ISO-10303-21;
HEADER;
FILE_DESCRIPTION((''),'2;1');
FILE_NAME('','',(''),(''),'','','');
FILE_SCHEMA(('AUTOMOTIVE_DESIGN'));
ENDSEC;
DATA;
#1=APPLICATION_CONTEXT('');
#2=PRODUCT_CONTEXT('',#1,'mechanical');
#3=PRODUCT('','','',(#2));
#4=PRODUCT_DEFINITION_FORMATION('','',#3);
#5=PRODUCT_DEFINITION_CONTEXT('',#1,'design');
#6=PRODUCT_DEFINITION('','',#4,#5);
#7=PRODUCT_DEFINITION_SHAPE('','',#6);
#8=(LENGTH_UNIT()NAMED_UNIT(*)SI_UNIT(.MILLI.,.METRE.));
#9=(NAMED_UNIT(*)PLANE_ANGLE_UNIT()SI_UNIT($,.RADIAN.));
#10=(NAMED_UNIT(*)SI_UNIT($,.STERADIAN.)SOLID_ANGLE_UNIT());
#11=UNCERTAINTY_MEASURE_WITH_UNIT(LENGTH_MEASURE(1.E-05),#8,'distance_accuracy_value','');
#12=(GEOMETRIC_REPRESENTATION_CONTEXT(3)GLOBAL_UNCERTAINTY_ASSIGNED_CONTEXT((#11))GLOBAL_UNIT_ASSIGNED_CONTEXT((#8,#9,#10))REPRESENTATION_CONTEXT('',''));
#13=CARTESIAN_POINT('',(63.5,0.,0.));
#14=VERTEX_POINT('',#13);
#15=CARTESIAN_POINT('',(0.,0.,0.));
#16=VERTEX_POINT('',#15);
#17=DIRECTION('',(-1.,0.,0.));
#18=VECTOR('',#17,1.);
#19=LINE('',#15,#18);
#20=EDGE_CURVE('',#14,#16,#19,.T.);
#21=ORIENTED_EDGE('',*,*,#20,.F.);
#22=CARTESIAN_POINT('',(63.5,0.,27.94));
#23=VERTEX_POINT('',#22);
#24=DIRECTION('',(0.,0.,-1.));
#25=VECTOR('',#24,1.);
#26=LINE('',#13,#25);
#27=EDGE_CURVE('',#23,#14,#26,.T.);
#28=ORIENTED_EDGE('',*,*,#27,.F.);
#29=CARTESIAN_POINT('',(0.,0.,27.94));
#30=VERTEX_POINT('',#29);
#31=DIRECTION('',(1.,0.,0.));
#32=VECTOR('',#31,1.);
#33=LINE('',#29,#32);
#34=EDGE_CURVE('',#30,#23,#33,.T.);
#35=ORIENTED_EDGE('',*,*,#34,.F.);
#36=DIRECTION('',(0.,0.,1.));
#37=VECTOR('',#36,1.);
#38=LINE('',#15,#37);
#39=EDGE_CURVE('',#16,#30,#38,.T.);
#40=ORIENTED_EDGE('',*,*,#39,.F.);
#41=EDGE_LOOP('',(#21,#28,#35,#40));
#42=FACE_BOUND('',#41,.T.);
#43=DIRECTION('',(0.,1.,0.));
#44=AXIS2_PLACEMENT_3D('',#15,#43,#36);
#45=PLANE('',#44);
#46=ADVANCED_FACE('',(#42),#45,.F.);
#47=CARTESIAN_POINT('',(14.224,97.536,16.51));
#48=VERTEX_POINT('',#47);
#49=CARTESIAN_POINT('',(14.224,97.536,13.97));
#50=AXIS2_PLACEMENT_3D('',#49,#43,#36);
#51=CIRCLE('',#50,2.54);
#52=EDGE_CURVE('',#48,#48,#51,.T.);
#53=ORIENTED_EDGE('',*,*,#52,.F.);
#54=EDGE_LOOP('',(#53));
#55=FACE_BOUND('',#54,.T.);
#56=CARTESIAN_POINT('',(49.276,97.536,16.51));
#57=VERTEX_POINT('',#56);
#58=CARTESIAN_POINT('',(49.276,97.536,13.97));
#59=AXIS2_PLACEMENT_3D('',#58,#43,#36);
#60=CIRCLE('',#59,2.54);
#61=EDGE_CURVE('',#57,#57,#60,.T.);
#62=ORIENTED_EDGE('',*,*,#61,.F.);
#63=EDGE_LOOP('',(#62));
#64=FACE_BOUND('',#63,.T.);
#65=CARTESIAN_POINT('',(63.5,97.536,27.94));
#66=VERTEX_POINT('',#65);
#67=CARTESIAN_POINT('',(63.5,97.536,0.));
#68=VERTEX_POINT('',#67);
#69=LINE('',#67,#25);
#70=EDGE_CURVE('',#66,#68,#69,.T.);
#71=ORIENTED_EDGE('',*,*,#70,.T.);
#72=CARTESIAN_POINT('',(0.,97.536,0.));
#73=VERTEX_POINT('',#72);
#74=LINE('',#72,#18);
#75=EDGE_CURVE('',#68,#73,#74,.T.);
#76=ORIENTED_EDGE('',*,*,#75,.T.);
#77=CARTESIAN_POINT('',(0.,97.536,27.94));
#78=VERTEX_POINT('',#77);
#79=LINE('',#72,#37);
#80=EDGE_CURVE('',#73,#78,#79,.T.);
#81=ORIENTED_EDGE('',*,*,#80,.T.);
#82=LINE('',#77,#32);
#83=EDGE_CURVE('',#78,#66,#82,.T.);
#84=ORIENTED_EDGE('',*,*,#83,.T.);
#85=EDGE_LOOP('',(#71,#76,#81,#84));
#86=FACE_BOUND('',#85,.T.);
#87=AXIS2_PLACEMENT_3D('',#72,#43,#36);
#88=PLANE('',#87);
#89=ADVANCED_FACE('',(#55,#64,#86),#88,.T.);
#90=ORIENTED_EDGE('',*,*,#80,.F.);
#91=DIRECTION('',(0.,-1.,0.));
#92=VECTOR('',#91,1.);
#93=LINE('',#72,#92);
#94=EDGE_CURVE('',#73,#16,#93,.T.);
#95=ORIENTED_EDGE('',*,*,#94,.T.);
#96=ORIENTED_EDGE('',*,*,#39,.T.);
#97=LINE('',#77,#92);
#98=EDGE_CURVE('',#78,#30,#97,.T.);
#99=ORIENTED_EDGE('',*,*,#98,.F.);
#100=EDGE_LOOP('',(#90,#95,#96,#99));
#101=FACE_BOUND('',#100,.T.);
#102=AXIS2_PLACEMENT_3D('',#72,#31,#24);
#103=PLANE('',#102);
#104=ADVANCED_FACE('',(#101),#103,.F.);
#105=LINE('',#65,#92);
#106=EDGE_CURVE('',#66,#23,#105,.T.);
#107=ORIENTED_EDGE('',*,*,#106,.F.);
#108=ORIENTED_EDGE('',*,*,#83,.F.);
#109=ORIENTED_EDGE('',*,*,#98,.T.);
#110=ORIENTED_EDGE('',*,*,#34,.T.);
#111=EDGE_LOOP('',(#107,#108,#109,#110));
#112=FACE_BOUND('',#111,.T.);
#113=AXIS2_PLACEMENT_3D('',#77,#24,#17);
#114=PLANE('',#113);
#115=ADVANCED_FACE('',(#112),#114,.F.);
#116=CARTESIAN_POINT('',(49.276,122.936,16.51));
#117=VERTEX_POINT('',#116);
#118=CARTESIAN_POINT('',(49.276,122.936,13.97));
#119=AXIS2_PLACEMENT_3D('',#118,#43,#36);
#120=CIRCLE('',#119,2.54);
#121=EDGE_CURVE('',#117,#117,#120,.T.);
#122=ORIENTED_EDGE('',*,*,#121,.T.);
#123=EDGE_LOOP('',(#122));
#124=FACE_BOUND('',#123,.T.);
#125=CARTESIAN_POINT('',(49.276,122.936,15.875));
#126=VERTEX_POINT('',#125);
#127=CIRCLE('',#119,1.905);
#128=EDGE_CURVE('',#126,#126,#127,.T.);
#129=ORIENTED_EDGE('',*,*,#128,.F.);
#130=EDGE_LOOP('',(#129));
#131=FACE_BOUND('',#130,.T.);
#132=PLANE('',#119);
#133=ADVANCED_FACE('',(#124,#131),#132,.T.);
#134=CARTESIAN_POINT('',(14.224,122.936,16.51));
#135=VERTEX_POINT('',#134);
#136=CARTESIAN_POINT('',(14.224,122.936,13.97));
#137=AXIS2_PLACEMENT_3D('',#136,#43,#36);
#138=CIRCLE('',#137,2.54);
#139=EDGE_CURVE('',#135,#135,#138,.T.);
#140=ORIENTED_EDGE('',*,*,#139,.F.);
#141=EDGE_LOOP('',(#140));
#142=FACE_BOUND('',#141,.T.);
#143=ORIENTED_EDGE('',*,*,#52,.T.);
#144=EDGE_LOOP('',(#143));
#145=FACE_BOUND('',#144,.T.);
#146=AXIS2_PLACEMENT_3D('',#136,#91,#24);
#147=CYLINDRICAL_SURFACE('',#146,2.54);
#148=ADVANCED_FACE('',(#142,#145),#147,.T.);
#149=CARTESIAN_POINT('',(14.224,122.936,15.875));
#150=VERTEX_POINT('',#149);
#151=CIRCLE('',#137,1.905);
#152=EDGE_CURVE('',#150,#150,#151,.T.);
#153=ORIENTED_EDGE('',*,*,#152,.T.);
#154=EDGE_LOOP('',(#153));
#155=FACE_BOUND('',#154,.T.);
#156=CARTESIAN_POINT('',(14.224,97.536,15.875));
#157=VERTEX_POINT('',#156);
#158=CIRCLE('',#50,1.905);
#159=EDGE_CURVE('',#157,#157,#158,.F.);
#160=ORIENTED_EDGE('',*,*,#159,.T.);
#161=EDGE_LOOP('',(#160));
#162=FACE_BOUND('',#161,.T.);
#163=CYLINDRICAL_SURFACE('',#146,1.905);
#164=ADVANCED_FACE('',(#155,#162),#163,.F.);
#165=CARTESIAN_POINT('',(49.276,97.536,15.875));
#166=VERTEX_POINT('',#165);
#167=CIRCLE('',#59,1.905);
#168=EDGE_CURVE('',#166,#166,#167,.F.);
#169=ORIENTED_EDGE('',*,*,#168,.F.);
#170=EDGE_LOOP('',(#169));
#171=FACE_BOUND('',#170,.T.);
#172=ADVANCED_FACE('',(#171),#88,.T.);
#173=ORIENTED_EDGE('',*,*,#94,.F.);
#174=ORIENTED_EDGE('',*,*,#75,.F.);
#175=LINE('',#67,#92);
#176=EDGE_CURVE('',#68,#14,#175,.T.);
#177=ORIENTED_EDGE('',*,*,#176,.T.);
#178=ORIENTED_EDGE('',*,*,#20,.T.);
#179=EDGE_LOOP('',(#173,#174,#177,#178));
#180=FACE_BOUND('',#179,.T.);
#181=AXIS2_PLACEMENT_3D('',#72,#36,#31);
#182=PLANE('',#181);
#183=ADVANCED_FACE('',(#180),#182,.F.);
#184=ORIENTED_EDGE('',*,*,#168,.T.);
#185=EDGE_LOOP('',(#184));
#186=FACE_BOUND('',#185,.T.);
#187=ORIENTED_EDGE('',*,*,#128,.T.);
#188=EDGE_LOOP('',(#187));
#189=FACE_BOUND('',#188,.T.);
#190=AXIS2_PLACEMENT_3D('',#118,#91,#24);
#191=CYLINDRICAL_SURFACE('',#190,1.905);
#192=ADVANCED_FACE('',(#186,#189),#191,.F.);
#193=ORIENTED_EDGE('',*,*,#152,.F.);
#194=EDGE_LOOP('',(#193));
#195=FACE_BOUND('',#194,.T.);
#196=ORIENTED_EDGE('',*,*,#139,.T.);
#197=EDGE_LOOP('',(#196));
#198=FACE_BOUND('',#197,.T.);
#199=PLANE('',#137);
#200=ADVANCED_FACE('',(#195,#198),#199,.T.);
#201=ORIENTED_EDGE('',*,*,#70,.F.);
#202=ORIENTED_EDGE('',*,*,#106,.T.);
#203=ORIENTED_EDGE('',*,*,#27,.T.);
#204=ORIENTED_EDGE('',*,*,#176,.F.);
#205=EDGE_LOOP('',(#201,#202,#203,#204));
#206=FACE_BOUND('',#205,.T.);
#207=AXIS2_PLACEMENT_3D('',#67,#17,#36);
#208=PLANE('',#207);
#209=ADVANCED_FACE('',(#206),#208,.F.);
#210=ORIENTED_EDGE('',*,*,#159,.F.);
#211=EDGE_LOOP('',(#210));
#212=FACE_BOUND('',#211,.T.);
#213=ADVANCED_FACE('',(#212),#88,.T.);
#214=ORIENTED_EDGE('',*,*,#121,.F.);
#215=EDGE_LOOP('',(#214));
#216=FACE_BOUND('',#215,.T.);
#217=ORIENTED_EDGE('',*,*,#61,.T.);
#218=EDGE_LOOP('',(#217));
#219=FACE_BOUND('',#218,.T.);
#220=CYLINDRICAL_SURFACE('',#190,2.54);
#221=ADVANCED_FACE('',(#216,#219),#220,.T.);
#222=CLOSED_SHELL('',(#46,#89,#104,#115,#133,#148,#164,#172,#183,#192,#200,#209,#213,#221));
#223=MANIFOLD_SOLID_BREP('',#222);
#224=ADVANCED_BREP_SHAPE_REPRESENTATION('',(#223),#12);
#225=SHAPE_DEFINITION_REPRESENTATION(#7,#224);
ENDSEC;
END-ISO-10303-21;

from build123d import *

# Parameters (mm, degrees)
SKETCH1_W           = 63.5
SKETCH1_H           = 27.94
BOSS_EXTRUDE1_DEPTH = 97.536
SKETCH2_R           = 2.54
SKETCH2_R_2         = 1.905
BOSS_EXTRUDE2_DEPTH = 25.4


with BuildPart() as part:
    # Sketch1 → Boss-Extrude1 (new body)
    with BuildSketch(Plane(origin=(0, 0, 0), x_dir=(1, 0, 0), z_dir=(0, 1, 0))):
        with Locations((31.75, -13.97)):
            Rectangle(SKETCH1_W, SKETCH1_H)
    extrude(amount=BOSS_EXTRUDE1_DEPTH)

    # Sketch2 → Boss-Extrude2 (add)
    # profile 1 of 2: a face of its own
    with BuildSketch(Plane(origin=(0, 97.536, 0), x_dir=(1, 0, 0), z_dir=(0, 1, 0))):
        with Locations(Location((14.224, -13.97, 0), (0, 0, 270))):
            Circle(SKETCH2_R)
        with Locations(Location((14.224, -13.97, 0), (0, 0, 270))):
            Circle(SKETCH2_R_2, mode=Mode.SUBTRACT)
    # profile 2 of 2: a face of its own
    with BuildSketch(Plane(origin=(0, 97.536, 0), x_dir=(1, 0, 0), z_dir=(0, 1, 0))):
        with Locations(Location((49.276, -13.97, 0), (0, 0, 270))):
            Circle(SKETCH2_R)
        with Locations(Location((49.276, -13.97, 0), (0, 0, 270))):
            Circle(SKETCH2_R_2, mode=Mode.SUBTRACT)
    extrude(amount=BOSS_EXTRUDE2_DEPTH)


solid = part.part
